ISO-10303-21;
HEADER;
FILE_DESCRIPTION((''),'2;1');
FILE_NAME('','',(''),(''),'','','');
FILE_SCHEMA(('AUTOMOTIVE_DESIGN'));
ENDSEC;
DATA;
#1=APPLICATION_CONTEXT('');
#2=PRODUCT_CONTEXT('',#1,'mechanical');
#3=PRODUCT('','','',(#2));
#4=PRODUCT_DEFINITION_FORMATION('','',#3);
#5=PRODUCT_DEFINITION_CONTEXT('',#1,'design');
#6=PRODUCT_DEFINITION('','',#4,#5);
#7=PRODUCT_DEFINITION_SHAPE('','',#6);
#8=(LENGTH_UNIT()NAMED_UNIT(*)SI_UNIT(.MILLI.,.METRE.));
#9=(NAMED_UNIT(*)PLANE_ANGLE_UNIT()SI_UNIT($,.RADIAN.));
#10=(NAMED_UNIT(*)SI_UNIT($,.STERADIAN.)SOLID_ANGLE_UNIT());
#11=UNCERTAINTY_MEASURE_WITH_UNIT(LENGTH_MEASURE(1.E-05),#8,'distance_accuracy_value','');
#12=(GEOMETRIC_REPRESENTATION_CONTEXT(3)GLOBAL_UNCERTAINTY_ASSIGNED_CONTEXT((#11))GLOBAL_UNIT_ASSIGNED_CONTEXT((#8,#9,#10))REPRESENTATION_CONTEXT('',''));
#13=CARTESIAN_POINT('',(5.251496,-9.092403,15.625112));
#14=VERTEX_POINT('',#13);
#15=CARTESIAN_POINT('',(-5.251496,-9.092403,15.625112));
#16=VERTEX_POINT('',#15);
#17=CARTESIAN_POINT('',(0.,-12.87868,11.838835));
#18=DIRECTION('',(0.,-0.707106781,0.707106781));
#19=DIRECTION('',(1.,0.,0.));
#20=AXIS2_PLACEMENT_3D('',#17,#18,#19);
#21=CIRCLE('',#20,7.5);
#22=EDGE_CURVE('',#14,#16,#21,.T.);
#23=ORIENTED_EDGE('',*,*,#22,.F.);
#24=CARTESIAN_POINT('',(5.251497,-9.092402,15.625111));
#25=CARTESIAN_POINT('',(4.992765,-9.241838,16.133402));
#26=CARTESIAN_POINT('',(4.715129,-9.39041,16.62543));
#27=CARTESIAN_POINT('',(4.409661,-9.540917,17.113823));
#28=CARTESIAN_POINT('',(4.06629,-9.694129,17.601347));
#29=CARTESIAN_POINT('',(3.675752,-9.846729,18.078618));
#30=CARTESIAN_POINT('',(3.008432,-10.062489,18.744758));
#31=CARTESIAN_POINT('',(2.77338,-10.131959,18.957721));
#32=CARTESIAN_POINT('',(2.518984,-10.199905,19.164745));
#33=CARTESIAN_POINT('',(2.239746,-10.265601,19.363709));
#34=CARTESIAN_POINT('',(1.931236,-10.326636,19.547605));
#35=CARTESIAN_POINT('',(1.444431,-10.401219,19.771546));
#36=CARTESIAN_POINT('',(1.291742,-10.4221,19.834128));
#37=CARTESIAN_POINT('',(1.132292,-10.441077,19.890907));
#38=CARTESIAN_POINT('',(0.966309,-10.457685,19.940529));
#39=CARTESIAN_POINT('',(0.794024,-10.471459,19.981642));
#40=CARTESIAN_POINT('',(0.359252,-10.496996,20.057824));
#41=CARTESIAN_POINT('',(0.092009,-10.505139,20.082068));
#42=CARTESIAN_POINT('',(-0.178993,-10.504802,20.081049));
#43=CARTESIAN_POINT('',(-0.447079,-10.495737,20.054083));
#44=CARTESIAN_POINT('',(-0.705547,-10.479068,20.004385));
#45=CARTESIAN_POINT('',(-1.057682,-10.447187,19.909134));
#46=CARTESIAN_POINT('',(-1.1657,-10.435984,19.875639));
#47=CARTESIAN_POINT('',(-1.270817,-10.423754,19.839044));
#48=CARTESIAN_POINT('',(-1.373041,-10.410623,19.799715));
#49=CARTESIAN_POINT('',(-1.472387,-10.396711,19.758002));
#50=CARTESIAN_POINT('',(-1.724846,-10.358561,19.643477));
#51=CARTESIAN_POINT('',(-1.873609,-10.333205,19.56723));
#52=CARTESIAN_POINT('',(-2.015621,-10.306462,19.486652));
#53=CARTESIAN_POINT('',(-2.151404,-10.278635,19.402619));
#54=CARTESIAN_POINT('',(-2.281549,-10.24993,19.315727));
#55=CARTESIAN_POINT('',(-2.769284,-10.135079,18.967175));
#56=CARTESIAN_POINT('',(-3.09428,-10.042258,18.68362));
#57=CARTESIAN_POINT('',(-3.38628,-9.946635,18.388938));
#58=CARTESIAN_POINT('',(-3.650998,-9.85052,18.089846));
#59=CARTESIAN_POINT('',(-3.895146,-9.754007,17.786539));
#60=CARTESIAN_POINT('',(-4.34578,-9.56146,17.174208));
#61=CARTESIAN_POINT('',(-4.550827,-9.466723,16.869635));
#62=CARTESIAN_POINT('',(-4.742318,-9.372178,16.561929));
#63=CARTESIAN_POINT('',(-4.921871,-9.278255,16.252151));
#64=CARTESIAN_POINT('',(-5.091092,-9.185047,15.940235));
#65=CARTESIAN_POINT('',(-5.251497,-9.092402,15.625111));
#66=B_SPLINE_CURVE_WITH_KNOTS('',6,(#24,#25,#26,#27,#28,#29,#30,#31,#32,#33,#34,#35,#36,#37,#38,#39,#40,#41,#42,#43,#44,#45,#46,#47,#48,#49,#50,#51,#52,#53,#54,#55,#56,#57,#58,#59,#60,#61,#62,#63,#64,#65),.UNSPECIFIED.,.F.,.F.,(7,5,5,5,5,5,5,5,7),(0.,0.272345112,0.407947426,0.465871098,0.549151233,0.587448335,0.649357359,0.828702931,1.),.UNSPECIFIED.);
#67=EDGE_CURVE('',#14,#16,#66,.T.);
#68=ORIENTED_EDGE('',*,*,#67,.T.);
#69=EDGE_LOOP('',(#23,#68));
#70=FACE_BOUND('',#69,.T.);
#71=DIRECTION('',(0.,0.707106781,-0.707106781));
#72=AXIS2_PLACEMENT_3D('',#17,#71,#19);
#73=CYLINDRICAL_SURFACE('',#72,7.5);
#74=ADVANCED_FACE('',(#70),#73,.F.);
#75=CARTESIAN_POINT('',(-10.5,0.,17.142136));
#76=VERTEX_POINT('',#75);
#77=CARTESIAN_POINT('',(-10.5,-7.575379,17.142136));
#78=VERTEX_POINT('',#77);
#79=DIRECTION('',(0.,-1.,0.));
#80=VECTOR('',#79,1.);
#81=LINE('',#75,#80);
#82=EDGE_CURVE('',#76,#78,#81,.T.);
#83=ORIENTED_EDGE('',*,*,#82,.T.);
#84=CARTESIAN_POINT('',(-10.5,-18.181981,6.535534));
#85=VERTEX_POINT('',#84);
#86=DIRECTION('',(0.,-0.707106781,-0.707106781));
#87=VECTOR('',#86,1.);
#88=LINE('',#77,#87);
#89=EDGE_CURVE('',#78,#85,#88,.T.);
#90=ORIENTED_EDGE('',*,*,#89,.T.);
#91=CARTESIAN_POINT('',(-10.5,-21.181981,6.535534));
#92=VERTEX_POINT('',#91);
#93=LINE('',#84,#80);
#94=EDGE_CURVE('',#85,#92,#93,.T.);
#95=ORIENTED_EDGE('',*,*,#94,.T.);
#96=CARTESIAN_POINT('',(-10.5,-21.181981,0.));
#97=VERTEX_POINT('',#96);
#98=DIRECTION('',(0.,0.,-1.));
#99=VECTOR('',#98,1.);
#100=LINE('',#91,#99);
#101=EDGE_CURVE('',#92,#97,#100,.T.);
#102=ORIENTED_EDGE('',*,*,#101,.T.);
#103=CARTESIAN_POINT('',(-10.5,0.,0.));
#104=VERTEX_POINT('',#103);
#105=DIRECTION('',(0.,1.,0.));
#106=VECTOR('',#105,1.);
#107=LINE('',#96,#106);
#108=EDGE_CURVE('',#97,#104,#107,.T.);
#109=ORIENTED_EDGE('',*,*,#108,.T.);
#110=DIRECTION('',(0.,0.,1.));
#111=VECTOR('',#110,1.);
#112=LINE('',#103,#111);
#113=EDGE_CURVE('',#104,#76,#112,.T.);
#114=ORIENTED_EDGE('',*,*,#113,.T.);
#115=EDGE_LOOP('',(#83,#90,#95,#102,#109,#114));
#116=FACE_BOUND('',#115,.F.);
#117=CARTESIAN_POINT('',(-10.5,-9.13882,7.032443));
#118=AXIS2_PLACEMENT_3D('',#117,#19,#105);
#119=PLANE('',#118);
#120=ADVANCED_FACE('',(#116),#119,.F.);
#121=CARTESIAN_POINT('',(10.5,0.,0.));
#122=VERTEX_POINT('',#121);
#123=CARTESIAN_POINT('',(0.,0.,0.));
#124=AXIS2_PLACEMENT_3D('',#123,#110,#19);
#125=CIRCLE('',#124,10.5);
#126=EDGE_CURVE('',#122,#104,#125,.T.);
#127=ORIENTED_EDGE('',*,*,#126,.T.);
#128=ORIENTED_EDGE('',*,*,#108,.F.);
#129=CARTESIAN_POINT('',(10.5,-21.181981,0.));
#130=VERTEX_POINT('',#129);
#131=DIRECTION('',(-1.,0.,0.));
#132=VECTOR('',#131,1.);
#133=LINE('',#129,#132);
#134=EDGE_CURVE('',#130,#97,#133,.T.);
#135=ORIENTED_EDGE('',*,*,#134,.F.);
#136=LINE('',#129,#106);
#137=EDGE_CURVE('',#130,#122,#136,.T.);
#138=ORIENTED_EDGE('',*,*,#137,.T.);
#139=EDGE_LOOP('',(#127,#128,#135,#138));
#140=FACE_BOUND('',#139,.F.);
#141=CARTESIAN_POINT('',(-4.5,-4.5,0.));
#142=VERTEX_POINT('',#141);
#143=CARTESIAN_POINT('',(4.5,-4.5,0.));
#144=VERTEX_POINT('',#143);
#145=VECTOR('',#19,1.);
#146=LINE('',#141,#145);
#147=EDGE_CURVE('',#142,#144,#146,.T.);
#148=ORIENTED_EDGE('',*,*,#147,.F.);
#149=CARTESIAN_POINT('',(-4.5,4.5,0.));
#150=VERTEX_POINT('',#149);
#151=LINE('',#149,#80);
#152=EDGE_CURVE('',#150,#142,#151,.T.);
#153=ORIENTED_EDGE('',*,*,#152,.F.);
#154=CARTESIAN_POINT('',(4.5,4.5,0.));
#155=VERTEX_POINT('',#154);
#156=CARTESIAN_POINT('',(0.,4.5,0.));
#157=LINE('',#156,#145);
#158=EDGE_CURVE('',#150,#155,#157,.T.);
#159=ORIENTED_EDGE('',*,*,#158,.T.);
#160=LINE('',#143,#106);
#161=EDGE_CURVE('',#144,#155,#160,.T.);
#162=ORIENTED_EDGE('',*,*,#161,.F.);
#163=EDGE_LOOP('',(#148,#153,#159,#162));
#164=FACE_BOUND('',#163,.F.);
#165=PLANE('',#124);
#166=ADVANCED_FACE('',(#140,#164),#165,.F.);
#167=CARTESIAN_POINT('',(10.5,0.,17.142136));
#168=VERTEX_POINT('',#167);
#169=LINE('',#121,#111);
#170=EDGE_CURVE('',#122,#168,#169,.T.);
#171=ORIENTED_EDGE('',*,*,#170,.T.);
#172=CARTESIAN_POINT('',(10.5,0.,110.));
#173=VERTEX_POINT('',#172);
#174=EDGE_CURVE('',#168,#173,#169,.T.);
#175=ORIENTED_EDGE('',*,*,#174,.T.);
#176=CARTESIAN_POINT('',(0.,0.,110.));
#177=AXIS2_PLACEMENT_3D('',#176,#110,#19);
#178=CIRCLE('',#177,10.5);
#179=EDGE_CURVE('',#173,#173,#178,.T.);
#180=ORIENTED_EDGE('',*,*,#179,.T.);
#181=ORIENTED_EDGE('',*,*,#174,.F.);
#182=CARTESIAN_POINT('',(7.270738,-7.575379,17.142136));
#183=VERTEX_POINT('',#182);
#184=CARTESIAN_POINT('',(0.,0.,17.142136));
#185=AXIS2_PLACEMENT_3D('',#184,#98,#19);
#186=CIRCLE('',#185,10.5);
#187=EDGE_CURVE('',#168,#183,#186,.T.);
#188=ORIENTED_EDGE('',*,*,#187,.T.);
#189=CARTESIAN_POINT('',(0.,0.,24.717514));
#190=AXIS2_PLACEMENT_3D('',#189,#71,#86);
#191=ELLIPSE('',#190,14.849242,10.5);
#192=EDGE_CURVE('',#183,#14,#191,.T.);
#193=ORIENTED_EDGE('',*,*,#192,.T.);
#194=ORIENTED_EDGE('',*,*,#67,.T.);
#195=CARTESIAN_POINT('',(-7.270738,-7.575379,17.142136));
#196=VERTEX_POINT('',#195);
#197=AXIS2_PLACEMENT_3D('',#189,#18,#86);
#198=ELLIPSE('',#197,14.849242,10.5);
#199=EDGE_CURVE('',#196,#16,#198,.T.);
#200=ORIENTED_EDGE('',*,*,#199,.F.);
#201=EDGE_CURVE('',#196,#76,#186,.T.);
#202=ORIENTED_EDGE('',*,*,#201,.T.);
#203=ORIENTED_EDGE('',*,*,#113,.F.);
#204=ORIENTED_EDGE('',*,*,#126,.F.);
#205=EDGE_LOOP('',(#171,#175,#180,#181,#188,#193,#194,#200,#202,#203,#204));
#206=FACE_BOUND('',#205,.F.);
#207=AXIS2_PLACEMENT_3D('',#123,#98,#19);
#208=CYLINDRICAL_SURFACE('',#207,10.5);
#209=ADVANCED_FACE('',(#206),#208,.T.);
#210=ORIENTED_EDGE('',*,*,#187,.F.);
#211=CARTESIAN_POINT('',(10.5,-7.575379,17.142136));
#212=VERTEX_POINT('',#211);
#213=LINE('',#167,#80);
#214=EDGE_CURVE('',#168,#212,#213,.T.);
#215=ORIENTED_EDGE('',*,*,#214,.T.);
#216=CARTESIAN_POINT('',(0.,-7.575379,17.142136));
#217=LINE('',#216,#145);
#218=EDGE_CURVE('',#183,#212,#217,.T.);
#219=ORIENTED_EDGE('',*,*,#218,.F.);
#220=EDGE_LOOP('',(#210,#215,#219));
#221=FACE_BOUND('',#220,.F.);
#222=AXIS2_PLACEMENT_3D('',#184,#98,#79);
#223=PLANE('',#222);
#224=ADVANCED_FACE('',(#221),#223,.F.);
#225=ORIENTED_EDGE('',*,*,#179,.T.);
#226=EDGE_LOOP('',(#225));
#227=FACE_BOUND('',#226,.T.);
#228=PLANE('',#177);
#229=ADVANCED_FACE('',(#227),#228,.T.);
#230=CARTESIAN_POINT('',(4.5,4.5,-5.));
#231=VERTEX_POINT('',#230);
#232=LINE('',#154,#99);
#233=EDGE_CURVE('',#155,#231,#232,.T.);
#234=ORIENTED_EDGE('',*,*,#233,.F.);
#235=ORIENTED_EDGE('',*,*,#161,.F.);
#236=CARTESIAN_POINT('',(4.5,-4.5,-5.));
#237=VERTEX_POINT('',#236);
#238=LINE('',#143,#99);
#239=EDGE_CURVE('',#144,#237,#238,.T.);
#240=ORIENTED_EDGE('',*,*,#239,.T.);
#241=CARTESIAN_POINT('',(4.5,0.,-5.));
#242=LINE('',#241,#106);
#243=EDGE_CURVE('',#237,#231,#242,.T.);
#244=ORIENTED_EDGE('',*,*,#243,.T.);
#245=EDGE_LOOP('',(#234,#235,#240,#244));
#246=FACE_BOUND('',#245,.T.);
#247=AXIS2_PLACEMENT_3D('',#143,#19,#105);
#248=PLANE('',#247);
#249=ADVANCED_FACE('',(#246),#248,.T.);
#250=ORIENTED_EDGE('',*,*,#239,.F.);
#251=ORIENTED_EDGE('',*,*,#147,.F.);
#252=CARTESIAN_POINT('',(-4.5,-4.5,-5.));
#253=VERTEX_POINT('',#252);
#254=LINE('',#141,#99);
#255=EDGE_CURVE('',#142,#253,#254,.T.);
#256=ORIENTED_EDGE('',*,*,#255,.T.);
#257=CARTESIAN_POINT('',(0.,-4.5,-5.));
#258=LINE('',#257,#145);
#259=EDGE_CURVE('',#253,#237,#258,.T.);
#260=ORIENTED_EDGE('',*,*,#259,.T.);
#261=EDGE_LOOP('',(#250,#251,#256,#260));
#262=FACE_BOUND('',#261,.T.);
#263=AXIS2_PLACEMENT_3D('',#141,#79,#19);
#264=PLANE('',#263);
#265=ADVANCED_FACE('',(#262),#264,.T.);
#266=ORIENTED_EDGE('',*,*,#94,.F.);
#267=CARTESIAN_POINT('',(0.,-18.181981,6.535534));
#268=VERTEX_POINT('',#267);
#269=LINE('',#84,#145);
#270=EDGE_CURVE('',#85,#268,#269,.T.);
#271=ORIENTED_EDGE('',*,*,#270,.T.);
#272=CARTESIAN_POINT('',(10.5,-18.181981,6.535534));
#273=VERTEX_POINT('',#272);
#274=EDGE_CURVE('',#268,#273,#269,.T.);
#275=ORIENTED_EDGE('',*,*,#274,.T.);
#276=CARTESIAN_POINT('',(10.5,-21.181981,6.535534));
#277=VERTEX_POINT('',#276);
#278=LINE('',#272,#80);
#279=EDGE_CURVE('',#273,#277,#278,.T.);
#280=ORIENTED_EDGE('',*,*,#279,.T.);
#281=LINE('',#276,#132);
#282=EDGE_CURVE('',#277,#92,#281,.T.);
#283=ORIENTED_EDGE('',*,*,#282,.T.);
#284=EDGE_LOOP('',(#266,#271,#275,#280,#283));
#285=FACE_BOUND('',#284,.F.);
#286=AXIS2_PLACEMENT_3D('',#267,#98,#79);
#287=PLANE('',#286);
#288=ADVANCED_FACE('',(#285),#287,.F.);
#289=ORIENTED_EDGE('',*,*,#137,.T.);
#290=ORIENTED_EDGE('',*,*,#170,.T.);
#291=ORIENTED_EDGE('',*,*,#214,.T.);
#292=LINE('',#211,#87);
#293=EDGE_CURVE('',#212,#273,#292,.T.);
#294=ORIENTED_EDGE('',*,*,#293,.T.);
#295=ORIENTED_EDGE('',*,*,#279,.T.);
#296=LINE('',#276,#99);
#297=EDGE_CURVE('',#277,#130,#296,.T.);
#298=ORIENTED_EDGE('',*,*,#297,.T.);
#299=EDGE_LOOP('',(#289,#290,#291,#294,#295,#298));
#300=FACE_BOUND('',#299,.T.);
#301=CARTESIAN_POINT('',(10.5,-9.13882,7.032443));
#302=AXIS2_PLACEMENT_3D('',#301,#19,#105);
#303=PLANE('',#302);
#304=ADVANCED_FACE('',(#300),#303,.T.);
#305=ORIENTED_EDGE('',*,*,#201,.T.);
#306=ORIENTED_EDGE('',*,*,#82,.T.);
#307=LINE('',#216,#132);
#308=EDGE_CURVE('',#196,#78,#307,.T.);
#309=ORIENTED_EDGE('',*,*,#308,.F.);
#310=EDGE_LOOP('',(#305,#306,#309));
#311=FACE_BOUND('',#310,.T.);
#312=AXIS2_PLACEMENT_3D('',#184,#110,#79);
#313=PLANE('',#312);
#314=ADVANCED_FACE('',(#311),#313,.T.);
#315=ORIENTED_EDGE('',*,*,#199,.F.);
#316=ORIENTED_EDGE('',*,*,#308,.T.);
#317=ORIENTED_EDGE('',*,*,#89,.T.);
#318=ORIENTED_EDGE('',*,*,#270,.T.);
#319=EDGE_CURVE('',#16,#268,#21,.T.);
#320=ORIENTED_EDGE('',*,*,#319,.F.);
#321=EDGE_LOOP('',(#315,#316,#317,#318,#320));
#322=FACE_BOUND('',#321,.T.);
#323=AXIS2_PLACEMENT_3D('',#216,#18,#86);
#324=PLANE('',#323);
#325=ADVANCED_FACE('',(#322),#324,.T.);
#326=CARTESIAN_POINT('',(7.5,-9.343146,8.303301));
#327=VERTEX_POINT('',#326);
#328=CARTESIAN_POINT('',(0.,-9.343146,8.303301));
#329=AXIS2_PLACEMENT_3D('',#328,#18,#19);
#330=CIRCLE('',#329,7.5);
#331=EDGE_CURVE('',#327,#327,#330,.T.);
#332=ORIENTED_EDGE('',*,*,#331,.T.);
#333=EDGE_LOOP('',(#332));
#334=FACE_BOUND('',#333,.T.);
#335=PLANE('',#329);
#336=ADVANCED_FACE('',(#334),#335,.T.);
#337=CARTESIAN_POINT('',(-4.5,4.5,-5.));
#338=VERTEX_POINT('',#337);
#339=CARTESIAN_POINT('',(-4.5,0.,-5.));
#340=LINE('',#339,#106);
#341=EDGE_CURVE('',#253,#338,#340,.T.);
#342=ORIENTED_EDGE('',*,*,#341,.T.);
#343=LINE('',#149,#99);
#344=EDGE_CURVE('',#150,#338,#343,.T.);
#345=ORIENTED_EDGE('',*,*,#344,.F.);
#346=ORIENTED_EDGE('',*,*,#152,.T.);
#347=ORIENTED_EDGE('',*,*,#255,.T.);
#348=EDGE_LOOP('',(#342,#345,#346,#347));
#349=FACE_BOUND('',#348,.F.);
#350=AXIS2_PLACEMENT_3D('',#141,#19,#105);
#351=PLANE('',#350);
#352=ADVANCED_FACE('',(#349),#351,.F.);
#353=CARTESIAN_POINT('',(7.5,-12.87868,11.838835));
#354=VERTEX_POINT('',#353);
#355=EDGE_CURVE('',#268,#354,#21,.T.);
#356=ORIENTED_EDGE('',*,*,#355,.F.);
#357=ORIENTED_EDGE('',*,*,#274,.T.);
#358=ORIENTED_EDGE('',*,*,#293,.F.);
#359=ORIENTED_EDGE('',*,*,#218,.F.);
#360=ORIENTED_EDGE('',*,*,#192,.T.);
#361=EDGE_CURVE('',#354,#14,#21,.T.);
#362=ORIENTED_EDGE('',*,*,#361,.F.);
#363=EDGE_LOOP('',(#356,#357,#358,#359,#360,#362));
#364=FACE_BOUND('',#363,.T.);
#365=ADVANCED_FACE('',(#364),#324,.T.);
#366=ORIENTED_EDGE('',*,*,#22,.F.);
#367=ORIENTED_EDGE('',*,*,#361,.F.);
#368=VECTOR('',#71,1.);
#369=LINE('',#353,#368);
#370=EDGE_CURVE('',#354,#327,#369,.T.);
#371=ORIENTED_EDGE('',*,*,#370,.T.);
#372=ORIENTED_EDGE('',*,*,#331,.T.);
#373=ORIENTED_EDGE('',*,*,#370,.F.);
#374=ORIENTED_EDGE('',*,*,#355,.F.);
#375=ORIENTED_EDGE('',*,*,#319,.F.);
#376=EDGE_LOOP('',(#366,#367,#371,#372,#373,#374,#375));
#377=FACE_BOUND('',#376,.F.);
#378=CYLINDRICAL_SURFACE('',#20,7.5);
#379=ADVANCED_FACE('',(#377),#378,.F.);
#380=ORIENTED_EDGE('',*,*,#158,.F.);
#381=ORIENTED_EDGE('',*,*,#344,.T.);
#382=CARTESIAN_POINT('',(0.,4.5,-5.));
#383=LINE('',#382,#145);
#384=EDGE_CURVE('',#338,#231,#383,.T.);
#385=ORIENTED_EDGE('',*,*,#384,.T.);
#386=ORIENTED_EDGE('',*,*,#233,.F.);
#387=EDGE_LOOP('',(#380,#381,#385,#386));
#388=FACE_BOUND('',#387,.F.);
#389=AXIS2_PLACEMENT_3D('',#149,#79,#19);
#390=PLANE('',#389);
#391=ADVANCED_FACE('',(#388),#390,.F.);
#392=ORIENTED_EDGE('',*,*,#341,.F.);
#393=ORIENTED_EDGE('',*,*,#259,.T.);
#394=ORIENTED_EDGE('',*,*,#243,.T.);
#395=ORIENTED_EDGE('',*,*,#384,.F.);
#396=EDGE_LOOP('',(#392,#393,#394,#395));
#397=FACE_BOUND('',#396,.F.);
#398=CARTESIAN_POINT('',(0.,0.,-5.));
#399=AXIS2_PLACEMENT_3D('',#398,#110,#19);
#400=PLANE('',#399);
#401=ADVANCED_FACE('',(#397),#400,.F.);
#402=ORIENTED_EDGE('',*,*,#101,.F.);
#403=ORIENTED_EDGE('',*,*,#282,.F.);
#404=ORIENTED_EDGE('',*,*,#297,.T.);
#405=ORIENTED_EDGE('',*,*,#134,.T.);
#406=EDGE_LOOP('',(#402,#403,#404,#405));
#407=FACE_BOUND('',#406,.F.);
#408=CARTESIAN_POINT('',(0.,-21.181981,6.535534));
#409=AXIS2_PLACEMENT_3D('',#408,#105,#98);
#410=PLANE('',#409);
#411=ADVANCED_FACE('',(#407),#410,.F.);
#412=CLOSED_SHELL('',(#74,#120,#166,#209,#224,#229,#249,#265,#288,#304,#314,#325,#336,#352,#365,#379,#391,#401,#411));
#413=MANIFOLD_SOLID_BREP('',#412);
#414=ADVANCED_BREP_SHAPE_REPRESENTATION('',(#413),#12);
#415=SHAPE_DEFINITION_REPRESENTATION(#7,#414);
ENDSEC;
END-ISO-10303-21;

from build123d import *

# Parameters (mm, degrees)
F0_R          = 10.5
F1_DEPTH      = 110
F2_W          = 9
F2_H          = 9
F3_DEPTH      = 5
F6_DEPTH      = 10.5
F6_DEPTH_BACK = 10.5
F7_R          = 7.5
F8_DEPTH      = 5
F8_DEPTH_BACK = 25


with BuildPart() as f1:
    # F0 (on Top) → F1 (new body)
    with BuildSketch(Plane.XY):
        Circle(F0_R)
    extrude(amount=F1_DEPTH)

    # F2 (on Top) → F3 (join)
    with BuildSketch(Plane.XY):
        Rectangle(F2_W, F2_H)
    extrude(amount=-F3_DEPTH)

    # F4 (on Right) → F6 (join, two sides)
    with BuildSketch(Plane.YZ) as f6_sk:
        Polygon((-12.8786796564, 0), (0, 0), (0, 17.1421356237), (-4.0398448916, 17.1421356237), (-7.5753787975, 17.1421356237), (-12.8786796564, 11.8388347648), (-18.1819805153, 6.5355339059), (-21.1819805153, 6.5355339059), (-21.1819805153, 0), align=None)
    extrude(amount=F6_DEPTH)
    extrude(f6_sk.sketch, amount=-F6_DEPTH_BACK)

    # F7 (on face) → F8 (cut, two sides)
    with BuildSketch(Plane(origin=(0, -12.3587572106, 12.3587572106), x_dir=(1, 0, 0), z_dir=(0, -0.7071067812, 0.7071067812))) as f8_sk:
        with Locations((0, -0.7352813742)):
            Circle(F7_R)
    extrude(amount=-F8_DEPTH, mode=Mode.SUBTRACT)
    extrude(f8_sk.sketch, amount=F8_DEPTH_BACK, mode=Mode.SUBTRACT)


solid = f1.part
